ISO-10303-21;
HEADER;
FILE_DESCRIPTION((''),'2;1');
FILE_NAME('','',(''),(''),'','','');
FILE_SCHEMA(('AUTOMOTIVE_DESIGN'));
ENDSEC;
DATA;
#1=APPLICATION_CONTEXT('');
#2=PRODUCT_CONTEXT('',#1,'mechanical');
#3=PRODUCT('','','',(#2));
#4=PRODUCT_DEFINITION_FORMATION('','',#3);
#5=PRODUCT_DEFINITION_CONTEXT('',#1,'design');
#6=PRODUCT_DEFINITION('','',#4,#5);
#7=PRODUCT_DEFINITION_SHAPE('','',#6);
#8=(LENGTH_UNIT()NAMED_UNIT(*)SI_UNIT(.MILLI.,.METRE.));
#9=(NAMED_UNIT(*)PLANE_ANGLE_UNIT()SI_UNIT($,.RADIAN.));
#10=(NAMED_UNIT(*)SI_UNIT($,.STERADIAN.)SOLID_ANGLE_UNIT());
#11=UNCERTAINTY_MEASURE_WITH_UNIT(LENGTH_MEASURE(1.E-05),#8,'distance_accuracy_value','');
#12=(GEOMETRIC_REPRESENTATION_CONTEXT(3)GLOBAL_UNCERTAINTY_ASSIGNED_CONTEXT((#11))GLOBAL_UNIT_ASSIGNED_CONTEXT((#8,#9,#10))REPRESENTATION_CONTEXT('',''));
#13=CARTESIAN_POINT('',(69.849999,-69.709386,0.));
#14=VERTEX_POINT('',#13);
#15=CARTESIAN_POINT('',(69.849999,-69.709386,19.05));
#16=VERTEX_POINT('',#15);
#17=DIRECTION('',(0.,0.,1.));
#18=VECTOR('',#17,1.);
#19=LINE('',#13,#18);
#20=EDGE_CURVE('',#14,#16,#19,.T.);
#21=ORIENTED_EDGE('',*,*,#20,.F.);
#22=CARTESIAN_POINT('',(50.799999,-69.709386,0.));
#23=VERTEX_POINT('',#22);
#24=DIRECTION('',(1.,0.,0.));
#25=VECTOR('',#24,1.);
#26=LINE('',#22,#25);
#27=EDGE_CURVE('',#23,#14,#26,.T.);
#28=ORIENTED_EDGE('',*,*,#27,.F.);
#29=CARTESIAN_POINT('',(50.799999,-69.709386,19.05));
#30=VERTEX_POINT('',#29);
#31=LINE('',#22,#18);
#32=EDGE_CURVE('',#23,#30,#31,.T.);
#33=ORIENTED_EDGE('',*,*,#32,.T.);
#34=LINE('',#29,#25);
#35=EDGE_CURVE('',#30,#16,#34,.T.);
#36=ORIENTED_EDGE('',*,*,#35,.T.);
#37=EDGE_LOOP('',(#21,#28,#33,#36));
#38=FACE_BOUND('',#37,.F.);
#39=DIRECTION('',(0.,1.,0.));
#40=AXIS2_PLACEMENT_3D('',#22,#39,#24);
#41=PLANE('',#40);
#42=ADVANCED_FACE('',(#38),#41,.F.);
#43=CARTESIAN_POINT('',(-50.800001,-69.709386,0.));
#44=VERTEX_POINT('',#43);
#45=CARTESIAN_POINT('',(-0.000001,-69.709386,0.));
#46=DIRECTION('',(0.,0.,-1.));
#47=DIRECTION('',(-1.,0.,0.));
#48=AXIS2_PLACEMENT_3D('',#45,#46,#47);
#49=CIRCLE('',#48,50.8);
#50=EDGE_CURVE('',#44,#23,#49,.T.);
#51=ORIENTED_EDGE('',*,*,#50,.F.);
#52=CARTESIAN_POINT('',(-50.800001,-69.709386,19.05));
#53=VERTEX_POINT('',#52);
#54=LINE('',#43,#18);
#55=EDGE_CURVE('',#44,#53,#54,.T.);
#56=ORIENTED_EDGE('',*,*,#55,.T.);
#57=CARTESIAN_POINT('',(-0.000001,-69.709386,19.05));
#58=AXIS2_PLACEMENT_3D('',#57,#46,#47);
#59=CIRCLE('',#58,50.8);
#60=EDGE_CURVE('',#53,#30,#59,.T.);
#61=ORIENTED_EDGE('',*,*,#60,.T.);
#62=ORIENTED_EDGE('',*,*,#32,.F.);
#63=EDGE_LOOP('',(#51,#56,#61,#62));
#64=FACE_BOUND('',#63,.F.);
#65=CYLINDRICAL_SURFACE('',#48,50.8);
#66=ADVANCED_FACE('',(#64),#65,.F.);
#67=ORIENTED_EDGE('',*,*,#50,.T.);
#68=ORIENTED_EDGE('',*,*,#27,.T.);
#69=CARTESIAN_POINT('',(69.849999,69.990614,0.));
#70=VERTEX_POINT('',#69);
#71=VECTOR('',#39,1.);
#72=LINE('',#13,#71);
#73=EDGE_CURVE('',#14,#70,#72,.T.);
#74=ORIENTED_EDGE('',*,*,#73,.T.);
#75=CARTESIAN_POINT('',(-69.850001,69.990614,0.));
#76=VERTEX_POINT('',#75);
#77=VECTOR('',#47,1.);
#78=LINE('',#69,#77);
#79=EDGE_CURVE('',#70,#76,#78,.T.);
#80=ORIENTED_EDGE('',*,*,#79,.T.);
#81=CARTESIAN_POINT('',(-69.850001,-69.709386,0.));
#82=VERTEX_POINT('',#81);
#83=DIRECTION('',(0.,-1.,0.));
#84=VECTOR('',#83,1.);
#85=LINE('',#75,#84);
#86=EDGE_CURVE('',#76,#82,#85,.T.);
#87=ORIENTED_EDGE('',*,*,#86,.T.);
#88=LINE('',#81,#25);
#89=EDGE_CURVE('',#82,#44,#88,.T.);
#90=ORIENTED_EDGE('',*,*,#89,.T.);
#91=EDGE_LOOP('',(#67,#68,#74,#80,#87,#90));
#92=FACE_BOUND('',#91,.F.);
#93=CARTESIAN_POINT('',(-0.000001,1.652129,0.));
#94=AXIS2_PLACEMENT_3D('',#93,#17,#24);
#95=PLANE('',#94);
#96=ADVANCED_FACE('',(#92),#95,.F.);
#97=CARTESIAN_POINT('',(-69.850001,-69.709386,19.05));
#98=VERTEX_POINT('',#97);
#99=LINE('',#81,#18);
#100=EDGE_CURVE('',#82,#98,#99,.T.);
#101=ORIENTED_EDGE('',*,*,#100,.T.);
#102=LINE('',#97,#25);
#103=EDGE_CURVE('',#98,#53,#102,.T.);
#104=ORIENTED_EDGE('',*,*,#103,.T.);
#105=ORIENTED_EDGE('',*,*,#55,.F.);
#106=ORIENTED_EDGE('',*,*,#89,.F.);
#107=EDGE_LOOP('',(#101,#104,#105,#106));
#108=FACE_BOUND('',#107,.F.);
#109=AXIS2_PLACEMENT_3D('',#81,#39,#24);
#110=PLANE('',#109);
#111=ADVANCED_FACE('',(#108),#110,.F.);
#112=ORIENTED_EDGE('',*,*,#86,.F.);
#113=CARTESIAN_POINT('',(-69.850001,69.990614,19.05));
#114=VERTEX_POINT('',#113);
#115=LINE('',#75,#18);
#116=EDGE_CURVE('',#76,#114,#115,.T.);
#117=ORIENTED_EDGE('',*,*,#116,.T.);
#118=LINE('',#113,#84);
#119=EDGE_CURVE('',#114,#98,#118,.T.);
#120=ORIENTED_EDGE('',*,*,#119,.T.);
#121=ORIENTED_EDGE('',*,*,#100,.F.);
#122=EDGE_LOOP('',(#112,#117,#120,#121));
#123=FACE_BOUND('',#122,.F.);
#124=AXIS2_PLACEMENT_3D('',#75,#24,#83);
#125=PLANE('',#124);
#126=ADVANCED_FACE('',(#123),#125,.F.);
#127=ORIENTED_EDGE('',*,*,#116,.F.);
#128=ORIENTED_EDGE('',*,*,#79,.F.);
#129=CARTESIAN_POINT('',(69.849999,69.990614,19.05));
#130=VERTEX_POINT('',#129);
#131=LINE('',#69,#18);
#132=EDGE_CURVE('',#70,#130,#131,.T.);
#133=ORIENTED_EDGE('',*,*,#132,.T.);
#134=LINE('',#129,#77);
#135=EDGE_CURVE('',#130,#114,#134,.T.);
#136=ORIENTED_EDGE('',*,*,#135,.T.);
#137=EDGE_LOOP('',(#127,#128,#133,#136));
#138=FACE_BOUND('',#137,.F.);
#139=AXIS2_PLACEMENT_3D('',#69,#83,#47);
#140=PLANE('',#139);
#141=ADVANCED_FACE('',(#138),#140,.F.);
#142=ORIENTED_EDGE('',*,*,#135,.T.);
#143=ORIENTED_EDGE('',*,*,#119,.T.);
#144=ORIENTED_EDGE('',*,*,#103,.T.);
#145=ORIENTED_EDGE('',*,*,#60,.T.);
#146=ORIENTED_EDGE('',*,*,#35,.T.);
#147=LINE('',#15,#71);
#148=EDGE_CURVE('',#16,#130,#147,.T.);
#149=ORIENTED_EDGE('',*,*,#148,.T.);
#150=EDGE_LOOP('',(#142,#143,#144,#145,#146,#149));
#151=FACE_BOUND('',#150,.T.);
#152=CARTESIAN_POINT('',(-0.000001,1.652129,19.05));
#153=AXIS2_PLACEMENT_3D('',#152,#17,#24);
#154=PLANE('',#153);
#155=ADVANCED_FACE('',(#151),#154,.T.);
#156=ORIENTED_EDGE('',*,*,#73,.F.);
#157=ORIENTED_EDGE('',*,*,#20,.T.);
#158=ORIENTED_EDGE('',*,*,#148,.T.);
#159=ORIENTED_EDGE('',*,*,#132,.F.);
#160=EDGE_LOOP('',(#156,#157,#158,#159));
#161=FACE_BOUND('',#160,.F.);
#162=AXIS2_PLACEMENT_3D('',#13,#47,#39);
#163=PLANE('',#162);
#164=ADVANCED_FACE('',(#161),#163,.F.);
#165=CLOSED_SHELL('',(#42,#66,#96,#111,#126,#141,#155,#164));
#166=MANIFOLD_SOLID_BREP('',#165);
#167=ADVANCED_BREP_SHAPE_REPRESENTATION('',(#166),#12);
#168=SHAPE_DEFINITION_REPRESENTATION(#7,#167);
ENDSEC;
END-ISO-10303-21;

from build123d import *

# Parameters (mm, degrees)
F1_DEPTH = 19.05


with BuildPart() as f1:
    # F0 (on Top) → F1 (new body)
    with BuildSketch(Plane.XY):
        with BuildLine():
            Line((69.849999, -69.709386), (69.849999, 69.990614))
            Line((69.849999, 69.990614), (-69.850001, 69.990614))
            Line((-69.850001, 69.990614), (-69.850001, -69.709386))
            Line((-69.850001, -69.709386), (-50.800001, -69.709386))
            ThreePointArc((-50.800001, -69.709386), (-1e-06, -18.909386), (50.799999, -69.709386))
            Line((50.799999, -69.709386), (69.849999, -69.709386))
        make_face()
    extrude(amount=F1_DEPTH)


solid = f1.part
